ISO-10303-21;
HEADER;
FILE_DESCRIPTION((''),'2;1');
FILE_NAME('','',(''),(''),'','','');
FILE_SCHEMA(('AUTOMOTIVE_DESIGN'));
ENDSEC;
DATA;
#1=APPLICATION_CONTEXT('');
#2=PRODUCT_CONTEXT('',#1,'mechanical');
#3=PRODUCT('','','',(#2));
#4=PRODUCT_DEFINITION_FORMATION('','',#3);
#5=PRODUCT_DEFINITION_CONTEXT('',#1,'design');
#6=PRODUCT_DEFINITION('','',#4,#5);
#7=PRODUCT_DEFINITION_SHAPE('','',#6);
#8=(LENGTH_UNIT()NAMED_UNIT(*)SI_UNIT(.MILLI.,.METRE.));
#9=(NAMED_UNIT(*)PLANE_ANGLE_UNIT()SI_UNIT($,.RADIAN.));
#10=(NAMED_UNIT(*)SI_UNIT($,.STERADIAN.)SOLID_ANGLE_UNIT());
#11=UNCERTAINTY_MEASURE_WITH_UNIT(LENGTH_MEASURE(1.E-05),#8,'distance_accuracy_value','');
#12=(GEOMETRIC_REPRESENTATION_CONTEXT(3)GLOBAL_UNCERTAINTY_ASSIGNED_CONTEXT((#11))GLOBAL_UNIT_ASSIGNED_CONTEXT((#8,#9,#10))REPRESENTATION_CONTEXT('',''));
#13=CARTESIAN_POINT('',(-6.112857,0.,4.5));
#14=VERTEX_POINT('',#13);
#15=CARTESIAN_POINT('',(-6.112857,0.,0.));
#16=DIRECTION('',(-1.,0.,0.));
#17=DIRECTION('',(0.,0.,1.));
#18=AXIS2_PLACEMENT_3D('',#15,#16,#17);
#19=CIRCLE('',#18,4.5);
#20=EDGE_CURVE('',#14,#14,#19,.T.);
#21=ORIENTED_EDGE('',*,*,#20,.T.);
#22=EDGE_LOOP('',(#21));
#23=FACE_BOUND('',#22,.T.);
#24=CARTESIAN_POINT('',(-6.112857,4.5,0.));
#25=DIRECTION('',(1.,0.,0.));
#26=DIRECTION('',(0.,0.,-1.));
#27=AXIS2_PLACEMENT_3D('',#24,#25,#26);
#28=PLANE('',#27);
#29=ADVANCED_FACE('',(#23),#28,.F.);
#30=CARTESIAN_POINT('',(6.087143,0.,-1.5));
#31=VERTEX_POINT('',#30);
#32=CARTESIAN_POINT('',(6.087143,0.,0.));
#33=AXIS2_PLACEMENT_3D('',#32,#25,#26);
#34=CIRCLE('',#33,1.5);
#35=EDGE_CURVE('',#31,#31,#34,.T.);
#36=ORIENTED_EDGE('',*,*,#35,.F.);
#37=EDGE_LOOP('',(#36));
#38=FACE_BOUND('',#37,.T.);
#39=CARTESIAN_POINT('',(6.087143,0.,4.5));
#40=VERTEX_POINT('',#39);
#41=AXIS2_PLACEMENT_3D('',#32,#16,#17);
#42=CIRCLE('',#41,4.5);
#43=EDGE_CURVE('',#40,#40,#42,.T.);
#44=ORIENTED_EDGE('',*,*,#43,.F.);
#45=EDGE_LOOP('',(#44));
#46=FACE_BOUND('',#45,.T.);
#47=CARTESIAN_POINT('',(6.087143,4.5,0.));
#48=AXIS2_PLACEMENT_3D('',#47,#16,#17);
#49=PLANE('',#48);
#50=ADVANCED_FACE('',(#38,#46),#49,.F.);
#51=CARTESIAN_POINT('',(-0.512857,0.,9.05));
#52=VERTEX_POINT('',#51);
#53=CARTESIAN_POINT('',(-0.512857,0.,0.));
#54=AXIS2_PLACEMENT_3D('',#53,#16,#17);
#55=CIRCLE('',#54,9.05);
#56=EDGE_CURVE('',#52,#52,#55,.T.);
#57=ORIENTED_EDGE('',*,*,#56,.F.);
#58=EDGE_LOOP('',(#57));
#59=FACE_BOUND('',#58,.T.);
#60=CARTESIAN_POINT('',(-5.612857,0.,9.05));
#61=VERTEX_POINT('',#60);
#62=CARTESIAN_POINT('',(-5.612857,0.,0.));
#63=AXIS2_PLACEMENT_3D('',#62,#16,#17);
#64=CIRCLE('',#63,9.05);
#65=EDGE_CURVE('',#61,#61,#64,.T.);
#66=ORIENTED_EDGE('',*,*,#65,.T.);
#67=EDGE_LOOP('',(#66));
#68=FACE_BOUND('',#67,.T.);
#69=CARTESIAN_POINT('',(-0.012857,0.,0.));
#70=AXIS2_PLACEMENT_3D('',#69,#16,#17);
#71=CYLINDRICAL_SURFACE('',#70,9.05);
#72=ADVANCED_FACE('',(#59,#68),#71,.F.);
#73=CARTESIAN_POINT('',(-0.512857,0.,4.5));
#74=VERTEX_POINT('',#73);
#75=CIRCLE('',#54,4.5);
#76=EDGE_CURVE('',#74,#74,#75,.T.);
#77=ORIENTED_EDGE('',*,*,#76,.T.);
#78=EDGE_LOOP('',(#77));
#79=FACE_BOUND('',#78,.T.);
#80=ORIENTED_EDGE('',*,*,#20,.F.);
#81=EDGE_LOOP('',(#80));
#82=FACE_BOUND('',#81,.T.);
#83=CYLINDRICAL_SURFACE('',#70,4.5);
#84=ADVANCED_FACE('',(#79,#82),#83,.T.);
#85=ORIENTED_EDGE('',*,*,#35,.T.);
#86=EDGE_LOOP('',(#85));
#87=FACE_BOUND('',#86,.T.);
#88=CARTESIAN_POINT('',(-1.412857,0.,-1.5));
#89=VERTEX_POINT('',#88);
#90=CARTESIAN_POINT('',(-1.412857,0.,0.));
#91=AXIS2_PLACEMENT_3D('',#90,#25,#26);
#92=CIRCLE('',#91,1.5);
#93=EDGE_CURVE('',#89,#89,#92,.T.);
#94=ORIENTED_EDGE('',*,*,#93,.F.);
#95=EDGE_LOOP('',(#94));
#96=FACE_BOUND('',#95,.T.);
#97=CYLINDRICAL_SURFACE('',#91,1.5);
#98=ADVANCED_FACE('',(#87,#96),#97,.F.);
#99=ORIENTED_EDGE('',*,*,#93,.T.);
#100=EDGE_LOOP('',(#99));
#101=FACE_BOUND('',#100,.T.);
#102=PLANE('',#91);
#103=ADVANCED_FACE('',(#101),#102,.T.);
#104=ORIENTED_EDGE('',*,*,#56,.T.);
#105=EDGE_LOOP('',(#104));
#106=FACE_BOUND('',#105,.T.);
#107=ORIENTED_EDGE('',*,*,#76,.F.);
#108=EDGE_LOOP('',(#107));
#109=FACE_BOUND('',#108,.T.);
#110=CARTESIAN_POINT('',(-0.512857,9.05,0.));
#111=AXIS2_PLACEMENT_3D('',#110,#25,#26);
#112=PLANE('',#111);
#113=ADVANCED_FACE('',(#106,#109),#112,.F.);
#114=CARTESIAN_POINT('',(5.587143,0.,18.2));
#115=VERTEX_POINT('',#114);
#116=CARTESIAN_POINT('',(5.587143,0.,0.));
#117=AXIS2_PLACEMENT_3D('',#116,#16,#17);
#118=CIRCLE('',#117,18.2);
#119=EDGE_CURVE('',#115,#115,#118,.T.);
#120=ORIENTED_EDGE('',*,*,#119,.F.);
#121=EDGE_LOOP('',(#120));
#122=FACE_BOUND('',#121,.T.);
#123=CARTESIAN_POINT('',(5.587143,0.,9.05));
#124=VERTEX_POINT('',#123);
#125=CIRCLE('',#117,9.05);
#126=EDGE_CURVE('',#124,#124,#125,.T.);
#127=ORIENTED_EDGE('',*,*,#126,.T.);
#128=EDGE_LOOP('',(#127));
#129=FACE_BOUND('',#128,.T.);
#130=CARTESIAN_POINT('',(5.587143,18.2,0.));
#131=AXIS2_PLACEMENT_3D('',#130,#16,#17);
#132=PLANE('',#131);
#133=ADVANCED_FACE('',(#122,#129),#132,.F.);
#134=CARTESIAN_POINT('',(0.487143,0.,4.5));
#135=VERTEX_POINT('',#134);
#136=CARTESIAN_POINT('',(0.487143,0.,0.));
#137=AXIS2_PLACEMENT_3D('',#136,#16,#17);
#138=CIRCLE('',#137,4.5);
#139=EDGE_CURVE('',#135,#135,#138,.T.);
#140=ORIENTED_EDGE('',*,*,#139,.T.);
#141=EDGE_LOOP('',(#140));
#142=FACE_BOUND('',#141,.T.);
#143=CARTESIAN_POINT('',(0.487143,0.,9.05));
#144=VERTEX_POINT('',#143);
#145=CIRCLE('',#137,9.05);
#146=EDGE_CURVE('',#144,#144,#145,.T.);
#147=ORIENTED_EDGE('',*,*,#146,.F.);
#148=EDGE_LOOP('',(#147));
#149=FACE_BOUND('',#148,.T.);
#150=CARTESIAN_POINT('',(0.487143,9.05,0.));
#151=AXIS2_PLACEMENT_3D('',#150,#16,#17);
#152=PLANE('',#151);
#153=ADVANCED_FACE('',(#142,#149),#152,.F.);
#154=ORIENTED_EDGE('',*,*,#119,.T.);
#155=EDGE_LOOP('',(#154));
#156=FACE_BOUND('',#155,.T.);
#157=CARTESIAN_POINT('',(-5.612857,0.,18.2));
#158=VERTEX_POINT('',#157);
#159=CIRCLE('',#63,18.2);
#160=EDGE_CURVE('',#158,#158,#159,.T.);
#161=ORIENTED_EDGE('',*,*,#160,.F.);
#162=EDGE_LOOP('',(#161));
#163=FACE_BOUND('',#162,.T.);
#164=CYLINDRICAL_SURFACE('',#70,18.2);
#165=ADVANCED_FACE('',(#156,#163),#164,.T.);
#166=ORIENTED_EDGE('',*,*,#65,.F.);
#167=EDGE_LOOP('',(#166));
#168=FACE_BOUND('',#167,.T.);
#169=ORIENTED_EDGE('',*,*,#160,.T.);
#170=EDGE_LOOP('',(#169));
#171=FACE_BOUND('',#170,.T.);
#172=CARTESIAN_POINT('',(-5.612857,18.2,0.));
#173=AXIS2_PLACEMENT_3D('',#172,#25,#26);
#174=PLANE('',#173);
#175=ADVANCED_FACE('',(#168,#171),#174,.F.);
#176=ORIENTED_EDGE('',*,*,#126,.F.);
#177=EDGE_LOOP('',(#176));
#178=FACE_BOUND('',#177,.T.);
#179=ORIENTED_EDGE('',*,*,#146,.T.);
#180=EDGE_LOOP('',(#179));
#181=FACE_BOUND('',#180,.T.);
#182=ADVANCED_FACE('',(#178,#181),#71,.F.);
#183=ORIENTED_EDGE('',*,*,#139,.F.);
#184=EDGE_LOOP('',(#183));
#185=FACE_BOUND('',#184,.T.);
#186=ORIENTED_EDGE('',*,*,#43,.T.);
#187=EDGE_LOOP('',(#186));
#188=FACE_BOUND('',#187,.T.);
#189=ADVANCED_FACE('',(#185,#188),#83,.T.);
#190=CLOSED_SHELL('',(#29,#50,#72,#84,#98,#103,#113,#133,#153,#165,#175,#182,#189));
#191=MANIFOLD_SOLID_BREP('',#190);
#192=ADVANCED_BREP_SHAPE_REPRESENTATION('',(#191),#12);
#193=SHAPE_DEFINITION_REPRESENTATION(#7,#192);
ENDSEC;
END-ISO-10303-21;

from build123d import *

# Parameters (mm, degrees)
SKETCH2_R          = 3
CUT_EXTRUDE1_DEPTH = 15
ECHELLE1_SCALE     = 0.5


with BuildPart() as part:
    # Sketch1 → Revolve1 (revolve)
    with BuildSketch(Plane.XY, mode=Mode.PRIVATE) as revolve1_sk:
        Polygon((-11.2, 18.1), (-1, 18.1), (-1, 9), (-12.2, 9), (-12.2, 0), (12.2, 0), (12.2, 9), (1, 9), (1, 18.1), (11.2, 18.1), (11.2, 36.4), (-11.2, 36.4), align=None)
    revolve(revolve1_sk.sketch.rotate(Axis((0, 0, 0), (1, 0, 0)), 90), axis=Axis((0, 0, 0), (1, 0, 0)))

    # Sketch2 → Cut-Extrude1 (cut)
    with BuildSketch(Plane(origin=(12.2, 0, 0), x_dir=(0, 0, -1), z_dir=(1, 0, 0))):
        Circle(SKETCH2_R)
    extrude(amount=-CUT_EXTRUDE1_DEPTH, mode=Mode.SUBTRACT)


with BuildPart() as part_1:
    # Echelle1: scaled about (-0.025714015, 0, 0)
    add(part.part.scale(ECHELLE1_SCALE).moved(Location((-0.012857007, 0, 0))))


solid = part_1.part
